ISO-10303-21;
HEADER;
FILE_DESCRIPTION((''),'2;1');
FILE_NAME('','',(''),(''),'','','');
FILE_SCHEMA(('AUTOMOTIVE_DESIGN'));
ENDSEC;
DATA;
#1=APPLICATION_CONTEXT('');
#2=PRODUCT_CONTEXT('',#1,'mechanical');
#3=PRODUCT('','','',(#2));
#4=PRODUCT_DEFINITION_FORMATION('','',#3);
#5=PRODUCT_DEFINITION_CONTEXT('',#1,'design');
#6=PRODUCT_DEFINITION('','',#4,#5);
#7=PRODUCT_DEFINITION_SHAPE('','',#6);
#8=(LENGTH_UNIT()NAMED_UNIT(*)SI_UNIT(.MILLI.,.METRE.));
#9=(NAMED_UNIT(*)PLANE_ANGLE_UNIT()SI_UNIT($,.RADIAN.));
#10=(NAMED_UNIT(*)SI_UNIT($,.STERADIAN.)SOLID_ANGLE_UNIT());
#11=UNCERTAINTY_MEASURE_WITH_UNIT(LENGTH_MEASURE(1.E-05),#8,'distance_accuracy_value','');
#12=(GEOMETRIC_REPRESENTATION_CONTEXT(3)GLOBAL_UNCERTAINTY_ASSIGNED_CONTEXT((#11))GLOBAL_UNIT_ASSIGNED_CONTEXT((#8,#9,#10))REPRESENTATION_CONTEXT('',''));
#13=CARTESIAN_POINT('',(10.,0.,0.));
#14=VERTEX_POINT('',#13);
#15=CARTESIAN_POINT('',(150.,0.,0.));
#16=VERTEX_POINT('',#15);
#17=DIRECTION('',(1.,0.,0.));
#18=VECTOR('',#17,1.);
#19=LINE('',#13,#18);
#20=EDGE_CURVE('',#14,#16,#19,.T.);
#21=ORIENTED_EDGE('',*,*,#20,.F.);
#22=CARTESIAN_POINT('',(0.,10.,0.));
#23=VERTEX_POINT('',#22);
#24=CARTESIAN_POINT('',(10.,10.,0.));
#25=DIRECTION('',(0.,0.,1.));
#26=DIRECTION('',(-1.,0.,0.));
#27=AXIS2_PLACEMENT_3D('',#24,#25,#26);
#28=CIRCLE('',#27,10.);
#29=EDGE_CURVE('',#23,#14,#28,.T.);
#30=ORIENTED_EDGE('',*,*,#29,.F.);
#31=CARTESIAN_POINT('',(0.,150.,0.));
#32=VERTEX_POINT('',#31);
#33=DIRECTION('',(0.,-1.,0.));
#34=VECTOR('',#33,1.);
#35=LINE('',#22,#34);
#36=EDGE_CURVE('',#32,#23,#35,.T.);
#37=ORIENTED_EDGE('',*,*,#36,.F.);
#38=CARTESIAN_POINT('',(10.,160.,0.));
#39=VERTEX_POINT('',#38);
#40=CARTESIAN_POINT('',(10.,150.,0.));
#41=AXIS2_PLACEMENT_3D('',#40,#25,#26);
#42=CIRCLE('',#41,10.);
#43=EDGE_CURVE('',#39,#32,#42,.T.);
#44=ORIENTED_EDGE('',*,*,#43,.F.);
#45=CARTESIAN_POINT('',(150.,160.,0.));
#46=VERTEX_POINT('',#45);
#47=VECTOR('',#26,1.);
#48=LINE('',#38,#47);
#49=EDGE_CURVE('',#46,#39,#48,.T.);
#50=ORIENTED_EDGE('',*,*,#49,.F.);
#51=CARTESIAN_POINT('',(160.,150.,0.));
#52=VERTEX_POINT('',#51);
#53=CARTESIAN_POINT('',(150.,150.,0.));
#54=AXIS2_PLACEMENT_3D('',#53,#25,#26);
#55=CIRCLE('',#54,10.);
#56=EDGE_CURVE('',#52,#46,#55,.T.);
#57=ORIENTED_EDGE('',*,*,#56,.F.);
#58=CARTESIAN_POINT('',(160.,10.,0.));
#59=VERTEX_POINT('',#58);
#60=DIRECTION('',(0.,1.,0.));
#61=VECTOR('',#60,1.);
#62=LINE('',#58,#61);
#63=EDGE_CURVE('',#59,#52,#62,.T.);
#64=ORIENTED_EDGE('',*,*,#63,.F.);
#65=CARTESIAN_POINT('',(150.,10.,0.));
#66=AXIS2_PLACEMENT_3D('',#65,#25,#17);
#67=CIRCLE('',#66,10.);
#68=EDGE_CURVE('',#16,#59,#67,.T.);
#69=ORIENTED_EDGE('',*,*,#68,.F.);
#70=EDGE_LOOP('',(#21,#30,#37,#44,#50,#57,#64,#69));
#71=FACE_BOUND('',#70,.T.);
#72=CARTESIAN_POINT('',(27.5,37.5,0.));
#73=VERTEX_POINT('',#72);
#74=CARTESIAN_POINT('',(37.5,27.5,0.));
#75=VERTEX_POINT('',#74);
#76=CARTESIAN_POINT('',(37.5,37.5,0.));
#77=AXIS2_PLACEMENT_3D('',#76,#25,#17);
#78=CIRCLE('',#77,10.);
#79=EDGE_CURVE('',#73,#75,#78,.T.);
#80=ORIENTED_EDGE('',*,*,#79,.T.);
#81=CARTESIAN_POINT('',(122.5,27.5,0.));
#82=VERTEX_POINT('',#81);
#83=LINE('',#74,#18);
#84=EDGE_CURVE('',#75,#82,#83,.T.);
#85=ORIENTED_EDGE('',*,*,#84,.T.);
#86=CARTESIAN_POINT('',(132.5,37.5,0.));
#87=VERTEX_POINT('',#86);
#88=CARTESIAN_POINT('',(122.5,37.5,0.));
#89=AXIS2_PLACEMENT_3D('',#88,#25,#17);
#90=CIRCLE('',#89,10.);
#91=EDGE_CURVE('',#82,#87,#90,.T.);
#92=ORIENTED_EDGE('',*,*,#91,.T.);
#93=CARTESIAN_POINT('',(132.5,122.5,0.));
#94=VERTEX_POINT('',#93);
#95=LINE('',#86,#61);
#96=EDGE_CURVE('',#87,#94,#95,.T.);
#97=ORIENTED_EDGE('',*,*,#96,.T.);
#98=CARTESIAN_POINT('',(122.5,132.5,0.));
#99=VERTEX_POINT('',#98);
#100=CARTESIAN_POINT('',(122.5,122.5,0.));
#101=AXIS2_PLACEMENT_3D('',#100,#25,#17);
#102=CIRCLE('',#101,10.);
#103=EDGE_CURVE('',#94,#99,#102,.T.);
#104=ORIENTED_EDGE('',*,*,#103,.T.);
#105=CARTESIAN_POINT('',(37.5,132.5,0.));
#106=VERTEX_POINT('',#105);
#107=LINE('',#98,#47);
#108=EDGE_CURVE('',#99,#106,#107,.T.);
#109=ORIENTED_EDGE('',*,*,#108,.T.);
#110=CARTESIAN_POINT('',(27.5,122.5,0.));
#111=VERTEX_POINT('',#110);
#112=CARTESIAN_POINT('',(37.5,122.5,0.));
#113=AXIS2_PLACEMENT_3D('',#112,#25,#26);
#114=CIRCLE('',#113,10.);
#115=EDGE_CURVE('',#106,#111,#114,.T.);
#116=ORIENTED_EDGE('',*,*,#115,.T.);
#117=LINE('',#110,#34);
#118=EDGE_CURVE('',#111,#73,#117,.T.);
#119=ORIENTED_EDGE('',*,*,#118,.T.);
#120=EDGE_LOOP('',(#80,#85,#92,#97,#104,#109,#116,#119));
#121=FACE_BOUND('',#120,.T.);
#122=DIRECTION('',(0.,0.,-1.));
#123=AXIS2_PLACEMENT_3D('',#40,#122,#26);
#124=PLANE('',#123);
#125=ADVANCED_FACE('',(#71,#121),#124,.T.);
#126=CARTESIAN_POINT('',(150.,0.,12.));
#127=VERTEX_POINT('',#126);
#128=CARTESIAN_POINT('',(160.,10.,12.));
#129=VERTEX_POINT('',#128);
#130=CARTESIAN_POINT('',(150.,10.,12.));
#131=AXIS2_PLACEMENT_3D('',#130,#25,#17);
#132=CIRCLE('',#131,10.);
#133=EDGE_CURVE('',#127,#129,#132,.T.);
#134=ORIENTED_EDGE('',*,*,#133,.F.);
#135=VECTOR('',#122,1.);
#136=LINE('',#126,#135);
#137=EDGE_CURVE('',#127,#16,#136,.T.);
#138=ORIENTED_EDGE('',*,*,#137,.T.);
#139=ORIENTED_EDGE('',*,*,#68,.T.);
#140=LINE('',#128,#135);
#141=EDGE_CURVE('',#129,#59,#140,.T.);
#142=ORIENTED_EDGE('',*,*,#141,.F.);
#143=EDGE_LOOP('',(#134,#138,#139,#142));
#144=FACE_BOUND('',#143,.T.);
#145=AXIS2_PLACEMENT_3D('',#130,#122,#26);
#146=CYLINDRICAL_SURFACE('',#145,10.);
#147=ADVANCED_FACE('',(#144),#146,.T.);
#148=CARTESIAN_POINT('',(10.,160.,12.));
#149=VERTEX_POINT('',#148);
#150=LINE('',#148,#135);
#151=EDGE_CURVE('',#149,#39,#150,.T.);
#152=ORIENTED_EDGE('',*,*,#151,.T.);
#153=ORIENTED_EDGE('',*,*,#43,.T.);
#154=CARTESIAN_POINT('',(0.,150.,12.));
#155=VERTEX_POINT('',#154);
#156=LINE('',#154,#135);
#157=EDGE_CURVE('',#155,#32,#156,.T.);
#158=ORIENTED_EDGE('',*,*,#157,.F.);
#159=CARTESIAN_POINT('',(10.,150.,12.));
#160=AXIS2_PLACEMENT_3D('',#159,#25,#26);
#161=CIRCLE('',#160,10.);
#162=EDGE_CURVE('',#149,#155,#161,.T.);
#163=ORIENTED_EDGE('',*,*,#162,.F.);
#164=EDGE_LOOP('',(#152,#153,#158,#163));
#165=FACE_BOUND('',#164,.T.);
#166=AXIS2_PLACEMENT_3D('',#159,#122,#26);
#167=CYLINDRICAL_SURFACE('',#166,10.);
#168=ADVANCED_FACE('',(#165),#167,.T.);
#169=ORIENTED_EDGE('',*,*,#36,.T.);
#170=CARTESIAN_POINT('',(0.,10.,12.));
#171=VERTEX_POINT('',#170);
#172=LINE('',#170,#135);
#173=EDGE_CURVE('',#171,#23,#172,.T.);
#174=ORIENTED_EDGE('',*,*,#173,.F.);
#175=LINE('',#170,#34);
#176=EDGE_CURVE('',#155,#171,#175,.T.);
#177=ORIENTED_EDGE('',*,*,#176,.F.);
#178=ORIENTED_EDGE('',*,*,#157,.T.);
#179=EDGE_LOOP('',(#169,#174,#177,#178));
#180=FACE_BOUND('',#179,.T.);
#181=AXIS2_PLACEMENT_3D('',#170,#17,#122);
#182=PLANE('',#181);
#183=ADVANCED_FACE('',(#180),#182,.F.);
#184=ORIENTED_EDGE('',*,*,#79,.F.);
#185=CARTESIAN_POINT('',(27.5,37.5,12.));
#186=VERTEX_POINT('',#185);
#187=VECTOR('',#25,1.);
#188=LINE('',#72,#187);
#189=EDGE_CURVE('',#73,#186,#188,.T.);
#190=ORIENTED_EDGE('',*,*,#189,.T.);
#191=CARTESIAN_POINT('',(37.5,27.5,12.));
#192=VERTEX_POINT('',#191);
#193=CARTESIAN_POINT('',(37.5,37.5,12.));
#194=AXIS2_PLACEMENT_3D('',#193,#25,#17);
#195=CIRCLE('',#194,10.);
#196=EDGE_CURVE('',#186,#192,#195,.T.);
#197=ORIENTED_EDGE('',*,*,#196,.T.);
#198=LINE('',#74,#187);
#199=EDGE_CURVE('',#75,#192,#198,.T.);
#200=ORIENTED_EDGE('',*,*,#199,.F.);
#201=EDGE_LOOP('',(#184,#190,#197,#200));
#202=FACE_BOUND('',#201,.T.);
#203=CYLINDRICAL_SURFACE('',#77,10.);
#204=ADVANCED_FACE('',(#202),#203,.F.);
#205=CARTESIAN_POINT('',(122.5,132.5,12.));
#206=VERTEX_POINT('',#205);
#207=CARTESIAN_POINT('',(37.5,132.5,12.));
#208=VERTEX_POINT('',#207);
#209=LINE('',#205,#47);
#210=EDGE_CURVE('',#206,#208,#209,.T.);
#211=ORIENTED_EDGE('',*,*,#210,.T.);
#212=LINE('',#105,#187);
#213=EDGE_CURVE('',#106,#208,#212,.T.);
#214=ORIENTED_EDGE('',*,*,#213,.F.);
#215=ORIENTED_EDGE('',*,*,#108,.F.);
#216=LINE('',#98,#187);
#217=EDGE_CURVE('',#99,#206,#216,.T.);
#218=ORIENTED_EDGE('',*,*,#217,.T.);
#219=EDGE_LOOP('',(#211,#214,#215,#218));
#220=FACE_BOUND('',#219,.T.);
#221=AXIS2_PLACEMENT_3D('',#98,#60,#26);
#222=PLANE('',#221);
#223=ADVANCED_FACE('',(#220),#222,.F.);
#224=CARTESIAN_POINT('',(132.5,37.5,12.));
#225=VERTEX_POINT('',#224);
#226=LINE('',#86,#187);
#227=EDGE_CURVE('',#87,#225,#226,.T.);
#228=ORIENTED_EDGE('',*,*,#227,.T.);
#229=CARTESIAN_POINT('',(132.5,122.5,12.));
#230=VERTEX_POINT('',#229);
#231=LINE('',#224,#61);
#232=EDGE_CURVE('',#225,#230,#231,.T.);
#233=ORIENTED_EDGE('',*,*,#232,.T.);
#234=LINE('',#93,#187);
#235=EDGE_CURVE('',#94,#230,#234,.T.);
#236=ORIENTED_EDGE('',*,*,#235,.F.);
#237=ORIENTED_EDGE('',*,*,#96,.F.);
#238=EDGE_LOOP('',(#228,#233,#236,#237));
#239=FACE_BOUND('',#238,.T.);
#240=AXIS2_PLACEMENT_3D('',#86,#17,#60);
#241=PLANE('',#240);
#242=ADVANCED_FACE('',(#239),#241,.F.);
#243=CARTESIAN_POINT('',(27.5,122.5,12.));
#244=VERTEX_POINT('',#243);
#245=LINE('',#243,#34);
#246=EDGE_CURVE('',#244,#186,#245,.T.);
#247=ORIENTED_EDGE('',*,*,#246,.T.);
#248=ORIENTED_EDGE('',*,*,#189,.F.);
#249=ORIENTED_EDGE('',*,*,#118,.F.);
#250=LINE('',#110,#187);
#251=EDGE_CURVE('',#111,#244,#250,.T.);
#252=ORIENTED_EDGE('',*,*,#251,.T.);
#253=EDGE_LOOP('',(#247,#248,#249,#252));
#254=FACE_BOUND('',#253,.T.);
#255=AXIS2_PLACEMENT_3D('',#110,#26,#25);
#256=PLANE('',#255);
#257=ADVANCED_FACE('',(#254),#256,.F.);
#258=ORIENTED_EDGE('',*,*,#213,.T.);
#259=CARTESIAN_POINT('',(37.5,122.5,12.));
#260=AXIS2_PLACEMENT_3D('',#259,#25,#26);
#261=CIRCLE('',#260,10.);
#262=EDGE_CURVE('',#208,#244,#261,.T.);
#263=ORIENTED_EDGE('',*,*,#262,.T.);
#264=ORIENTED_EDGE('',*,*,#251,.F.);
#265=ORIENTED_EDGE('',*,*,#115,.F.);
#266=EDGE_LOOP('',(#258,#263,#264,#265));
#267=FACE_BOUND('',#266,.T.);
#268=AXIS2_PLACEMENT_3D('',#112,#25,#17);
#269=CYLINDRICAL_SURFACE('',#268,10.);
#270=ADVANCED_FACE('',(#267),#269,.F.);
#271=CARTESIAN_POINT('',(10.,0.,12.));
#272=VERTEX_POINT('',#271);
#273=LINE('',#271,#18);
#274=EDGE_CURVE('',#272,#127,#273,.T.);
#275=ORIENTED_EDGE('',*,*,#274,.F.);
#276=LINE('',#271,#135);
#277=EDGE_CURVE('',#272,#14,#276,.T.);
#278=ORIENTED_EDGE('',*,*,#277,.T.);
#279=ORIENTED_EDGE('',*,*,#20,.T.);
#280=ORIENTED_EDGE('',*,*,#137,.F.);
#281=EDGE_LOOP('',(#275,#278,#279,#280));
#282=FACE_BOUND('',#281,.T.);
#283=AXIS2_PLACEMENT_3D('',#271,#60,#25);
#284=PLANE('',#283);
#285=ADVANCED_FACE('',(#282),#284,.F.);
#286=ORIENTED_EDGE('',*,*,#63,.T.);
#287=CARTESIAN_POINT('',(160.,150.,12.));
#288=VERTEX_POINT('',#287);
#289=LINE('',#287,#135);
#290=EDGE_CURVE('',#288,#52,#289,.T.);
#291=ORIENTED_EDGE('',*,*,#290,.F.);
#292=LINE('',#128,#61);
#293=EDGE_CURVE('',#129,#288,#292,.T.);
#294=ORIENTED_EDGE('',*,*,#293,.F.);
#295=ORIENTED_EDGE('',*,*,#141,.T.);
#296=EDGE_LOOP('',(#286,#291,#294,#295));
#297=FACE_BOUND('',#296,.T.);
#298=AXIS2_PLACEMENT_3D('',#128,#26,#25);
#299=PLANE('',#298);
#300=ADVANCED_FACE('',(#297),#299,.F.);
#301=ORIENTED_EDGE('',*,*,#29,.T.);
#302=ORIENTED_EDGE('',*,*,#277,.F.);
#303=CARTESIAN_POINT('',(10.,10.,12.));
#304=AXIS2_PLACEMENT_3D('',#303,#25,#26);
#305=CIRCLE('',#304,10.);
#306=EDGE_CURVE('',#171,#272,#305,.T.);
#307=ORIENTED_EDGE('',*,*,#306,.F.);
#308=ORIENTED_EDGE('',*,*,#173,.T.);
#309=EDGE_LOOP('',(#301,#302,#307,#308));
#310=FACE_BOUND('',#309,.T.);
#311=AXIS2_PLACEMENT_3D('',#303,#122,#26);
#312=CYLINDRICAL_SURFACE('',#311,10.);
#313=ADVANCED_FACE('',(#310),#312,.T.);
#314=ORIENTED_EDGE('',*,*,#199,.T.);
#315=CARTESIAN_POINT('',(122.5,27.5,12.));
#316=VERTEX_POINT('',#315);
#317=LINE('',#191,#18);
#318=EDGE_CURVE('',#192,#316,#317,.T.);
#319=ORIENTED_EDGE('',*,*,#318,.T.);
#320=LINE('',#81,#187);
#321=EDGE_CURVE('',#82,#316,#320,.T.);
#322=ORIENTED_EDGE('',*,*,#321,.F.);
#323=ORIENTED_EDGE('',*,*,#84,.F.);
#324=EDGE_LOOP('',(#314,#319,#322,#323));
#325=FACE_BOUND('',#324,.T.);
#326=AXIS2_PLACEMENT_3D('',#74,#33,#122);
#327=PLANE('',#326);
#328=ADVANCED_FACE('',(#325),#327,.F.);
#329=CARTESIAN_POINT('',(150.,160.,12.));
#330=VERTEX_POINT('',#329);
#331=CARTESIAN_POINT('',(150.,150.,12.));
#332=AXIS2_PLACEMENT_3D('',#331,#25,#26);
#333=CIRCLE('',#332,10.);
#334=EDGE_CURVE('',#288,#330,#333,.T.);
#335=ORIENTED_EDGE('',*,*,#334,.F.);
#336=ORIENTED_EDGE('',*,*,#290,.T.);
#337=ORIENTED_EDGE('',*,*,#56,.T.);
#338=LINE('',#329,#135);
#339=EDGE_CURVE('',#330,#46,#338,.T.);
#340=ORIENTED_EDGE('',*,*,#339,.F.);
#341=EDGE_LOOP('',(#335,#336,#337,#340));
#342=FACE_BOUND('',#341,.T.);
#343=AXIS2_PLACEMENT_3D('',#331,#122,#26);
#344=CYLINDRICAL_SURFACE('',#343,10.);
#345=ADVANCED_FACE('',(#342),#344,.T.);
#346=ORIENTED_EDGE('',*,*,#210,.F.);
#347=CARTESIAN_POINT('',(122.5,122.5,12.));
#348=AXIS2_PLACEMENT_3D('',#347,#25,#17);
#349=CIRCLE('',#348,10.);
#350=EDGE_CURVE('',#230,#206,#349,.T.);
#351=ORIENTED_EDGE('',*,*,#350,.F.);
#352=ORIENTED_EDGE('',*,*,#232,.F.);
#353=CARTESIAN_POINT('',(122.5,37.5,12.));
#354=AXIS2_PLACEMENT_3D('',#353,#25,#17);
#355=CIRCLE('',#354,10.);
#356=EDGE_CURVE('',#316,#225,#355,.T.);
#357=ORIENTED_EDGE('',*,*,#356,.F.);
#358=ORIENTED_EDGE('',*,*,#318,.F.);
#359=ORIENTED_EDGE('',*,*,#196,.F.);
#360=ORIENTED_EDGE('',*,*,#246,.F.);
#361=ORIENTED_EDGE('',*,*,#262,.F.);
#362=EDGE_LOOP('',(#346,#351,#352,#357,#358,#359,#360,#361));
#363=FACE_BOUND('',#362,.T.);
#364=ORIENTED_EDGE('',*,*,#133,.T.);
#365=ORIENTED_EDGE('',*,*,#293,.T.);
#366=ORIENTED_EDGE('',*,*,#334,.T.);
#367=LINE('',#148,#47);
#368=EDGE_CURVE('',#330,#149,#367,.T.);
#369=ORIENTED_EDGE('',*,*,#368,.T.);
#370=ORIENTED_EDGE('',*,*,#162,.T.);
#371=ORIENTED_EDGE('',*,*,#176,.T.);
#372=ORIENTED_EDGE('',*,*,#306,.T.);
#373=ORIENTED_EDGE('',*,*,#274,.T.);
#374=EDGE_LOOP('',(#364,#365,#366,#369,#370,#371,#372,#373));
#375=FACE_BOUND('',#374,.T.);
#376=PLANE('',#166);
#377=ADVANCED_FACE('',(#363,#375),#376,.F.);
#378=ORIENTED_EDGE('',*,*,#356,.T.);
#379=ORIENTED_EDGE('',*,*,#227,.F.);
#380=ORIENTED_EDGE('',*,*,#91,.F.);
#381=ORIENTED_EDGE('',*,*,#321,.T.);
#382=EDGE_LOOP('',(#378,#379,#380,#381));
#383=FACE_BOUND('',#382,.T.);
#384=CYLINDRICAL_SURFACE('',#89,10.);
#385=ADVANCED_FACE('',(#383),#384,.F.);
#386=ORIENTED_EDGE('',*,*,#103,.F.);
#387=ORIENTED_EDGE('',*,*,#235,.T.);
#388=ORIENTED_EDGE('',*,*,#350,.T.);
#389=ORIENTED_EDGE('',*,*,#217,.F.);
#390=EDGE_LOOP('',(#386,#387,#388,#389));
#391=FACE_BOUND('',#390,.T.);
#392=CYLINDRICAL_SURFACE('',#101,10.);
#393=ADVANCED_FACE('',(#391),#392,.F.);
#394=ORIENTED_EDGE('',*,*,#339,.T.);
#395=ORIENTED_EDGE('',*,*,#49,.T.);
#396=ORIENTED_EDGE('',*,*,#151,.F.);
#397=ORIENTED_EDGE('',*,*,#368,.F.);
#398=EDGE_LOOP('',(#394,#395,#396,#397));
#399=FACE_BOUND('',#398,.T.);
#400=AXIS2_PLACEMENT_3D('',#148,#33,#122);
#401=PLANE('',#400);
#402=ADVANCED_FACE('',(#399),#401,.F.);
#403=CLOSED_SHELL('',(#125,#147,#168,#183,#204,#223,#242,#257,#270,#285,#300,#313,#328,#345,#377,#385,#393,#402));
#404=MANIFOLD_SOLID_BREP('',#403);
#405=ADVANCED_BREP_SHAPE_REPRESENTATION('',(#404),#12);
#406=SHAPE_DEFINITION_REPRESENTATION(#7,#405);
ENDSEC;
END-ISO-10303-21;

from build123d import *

# Parameters (mm, degrees)
EXTRUDE1_DEPTH     = 12
CUT_EXTRUDE1_DEPTH = 227.592144612


with BuildPart() as part:
    # Sketch1 → Extrude1 (new body)
    with BuildSketch(Plane.XY):
        with BuildLine():
            Line((10, 0), (150, 0))
            ThreePointArc((150, 0), (157.071067812, 2.928932188), (160, 10))
            Line((160, 10), (160, 150))
            ThreePointArc((160, 150), (157.071067812, 157.071067812), (150, 160))
            Line((150, 160), (10, 160))
            ThreePointArc((10, 160), (2.928932188, 157.071067812), (0, 150))
            Line((0, 150), (0, 10))
            ThreePointArc((0, 10), (2.928932188, 2.928932188), (10, 0))
        make_face()
    extrude(amount=EXTRUDE1_DEPTH)

    # Sketch2 → Cut-Extrude1 (cut, through all)
    with BuildSketch(Plane.XY.offset(12)):
        with BuildLine():
            Line((27.5, 122.5), (27.5, 37.5))
            ThreePointArc((27.5, 37.5), (30.428932188, 30.428932188), (37.5, 27.5))
            Line((37.5, 27.5), (122.5, 27.5))
            ThreePointArc((122.5, 27.5), (129.571067812, 30.428932188), (132.5, 37.5))
            Line((132.5, 37.5), (132.5, 122.5))
            ThreePointArc((132.5, 122.5), (129.571067812, 129.571067812), (122.5, 132.5))
            Line((122.5, 132.5), (37.5, 132.5))
            ThreePointArc((37.5, 132.5), (30.428932188, 129.571067812), (27.5, 122.5))
        make_face()
    extrude(amount=-CUT_EXTRUDE1_DEPTH, mode=Mode.SUBTRACT)


solid = part.part
